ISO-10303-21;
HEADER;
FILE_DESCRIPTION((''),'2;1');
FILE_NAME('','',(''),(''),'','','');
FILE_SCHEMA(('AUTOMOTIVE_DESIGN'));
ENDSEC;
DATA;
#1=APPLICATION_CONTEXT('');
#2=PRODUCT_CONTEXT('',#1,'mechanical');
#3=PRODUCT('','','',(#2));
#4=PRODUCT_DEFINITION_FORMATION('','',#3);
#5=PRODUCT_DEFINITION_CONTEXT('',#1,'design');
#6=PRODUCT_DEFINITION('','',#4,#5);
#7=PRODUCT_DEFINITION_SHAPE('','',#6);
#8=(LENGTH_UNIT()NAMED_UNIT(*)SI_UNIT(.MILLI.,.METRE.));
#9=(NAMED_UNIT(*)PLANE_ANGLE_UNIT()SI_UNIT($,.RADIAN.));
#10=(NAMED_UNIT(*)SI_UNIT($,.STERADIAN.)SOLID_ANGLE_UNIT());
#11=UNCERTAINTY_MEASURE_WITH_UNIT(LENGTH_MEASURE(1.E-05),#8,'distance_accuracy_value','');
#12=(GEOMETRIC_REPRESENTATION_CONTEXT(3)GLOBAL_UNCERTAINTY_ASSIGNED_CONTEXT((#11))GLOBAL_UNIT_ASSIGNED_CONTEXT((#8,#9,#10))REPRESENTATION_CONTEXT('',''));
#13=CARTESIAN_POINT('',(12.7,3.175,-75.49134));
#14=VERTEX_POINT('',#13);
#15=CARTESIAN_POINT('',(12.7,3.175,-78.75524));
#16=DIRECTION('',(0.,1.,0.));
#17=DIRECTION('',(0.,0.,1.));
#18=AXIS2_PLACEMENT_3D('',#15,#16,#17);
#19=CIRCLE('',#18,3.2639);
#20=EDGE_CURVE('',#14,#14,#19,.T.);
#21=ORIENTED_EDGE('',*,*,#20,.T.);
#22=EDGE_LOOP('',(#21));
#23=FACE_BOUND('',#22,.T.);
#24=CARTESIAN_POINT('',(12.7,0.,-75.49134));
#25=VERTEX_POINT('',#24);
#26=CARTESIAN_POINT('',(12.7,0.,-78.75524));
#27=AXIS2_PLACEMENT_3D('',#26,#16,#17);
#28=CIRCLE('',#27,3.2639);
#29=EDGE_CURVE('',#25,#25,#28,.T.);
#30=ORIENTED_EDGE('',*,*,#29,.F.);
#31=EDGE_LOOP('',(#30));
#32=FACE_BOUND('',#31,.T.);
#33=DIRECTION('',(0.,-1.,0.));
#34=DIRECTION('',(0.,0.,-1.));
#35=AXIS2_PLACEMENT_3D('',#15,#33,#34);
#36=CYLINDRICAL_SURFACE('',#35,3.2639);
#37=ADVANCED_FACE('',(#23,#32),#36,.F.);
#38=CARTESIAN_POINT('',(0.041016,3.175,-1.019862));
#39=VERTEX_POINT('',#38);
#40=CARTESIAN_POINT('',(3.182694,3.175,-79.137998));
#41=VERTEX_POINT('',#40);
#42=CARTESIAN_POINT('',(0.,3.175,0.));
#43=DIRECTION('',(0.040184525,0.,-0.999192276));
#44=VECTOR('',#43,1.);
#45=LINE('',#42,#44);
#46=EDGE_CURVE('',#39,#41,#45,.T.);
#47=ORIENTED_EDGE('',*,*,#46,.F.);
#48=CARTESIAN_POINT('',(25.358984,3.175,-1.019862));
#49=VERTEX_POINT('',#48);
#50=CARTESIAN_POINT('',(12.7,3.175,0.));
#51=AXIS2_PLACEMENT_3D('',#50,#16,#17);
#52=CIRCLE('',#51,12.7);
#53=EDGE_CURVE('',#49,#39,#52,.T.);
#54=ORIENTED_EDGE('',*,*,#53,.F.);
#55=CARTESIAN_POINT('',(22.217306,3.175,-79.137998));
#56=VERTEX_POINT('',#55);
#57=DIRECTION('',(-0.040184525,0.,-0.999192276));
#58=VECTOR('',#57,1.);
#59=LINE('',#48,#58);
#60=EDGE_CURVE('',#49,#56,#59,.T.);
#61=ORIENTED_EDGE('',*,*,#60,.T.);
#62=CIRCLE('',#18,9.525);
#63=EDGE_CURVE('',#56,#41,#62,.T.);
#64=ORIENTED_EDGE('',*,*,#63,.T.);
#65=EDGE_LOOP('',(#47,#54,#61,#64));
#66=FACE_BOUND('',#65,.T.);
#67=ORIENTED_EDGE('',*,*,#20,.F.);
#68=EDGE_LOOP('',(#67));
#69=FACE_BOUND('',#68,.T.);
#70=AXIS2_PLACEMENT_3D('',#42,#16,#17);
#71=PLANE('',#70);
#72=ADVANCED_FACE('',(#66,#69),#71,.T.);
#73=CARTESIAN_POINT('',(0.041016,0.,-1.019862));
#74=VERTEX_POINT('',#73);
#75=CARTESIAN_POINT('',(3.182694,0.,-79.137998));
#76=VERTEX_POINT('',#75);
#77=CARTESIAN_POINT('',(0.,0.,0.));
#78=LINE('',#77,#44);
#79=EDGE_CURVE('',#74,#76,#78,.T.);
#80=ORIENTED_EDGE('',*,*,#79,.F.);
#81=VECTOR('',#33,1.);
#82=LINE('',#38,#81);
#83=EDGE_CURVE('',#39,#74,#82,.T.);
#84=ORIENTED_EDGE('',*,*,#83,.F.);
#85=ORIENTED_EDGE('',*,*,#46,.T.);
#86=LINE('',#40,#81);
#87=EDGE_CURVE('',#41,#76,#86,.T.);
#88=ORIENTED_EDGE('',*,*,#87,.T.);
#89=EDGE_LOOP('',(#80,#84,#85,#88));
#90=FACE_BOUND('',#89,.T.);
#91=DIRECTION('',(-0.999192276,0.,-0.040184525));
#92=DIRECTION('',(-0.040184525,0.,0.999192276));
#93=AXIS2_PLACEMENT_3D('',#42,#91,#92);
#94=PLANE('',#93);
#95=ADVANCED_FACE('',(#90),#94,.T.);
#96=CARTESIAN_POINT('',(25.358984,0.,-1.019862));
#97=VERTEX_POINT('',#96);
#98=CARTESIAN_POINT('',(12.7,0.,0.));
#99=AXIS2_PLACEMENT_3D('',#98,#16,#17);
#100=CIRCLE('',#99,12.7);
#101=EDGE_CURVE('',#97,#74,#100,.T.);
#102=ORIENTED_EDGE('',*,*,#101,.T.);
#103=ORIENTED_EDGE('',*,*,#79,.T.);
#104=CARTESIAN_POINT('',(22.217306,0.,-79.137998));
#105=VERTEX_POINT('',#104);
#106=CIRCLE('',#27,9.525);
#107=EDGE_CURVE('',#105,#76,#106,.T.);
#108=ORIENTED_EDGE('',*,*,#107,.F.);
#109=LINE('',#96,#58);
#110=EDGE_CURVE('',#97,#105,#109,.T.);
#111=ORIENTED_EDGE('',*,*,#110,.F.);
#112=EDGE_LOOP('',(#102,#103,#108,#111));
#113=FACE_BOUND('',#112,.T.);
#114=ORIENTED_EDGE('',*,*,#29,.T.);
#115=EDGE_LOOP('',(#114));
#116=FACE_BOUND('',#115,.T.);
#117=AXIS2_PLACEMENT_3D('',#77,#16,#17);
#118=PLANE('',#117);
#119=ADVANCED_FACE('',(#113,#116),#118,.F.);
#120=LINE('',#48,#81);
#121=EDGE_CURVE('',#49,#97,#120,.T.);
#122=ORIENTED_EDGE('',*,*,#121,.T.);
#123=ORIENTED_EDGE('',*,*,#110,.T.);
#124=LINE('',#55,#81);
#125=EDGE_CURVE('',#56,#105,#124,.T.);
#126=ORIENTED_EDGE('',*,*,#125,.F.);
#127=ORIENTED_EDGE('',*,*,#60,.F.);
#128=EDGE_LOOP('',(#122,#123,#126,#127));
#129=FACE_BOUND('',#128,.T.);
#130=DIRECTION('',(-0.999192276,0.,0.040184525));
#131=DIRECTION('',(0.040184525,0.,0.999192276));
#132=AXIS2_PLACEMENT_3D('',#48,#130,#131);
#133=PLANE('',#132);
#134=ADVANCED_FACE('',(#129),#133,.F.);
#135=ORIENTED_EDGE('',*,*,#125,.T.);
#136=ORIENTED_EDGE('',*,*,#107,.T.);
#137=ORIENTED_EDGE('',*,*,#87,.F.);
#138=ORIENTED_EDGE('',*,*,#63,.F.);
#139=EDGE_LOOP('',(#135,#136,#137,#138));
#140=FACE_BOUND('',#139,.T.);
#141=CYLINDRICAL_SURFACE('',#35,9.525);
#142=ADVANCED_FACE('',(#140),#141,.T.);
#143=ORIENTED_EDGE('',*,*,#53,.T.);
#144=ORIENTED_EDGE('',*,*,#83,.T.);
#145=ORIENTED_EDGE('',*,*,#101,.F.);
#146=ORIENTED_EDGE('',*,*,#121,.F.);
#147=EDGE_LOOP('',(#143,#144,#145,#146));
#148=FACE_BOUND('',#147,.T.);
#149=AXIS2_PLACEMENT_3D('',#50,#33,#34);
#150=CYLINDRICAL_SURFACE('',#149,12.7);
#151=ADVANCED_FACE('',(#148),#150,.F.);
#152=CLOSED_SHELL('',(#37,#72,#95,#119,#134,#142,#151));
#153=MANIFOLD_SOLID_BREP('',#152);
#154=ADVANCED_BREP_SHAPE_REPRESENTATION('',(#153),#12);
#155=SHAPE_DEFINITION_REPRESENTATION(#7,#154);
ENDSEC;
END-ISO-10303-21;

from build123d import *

# Parameters (mm, degrees)
SKETCH1_R           = 3.2639
BOSS_EXTRUDE2_DEPTH = 3.175


with BuildPart() as part:
    # Sketch1 → Boss-Extrude2 (new body)
    with BuildSketch(Plane(origin=(0, 0, 0), x_dir=(1, 0, 0), z_dir=(0, 1, 0))):
        with BuildLine():
            Line((3.182693573, 79.1379976), (0.041015819, 1.019862499))
            ThreePointArc((0.041015819, 1.019862499), (12.7, 12.7), (25.358984181, 1.019862499))
            Line((25.358984181, 1.019862499), (22.217306427, 79.1379976))
            ThreePointArc((22.217306427, 79.1379976), (12.7, 88.28024), (3.182693573, 79.1379976))
        make_face()
        with Locations(Location((12.7, 78.75524, 0), (0, 0, 270))):
            Circle(SKETCH1_R, mode=Mode.SUBTRACT)
    extrude(amount=BOSS_EXTRUDE2_DEPTH)


solid = part.part
